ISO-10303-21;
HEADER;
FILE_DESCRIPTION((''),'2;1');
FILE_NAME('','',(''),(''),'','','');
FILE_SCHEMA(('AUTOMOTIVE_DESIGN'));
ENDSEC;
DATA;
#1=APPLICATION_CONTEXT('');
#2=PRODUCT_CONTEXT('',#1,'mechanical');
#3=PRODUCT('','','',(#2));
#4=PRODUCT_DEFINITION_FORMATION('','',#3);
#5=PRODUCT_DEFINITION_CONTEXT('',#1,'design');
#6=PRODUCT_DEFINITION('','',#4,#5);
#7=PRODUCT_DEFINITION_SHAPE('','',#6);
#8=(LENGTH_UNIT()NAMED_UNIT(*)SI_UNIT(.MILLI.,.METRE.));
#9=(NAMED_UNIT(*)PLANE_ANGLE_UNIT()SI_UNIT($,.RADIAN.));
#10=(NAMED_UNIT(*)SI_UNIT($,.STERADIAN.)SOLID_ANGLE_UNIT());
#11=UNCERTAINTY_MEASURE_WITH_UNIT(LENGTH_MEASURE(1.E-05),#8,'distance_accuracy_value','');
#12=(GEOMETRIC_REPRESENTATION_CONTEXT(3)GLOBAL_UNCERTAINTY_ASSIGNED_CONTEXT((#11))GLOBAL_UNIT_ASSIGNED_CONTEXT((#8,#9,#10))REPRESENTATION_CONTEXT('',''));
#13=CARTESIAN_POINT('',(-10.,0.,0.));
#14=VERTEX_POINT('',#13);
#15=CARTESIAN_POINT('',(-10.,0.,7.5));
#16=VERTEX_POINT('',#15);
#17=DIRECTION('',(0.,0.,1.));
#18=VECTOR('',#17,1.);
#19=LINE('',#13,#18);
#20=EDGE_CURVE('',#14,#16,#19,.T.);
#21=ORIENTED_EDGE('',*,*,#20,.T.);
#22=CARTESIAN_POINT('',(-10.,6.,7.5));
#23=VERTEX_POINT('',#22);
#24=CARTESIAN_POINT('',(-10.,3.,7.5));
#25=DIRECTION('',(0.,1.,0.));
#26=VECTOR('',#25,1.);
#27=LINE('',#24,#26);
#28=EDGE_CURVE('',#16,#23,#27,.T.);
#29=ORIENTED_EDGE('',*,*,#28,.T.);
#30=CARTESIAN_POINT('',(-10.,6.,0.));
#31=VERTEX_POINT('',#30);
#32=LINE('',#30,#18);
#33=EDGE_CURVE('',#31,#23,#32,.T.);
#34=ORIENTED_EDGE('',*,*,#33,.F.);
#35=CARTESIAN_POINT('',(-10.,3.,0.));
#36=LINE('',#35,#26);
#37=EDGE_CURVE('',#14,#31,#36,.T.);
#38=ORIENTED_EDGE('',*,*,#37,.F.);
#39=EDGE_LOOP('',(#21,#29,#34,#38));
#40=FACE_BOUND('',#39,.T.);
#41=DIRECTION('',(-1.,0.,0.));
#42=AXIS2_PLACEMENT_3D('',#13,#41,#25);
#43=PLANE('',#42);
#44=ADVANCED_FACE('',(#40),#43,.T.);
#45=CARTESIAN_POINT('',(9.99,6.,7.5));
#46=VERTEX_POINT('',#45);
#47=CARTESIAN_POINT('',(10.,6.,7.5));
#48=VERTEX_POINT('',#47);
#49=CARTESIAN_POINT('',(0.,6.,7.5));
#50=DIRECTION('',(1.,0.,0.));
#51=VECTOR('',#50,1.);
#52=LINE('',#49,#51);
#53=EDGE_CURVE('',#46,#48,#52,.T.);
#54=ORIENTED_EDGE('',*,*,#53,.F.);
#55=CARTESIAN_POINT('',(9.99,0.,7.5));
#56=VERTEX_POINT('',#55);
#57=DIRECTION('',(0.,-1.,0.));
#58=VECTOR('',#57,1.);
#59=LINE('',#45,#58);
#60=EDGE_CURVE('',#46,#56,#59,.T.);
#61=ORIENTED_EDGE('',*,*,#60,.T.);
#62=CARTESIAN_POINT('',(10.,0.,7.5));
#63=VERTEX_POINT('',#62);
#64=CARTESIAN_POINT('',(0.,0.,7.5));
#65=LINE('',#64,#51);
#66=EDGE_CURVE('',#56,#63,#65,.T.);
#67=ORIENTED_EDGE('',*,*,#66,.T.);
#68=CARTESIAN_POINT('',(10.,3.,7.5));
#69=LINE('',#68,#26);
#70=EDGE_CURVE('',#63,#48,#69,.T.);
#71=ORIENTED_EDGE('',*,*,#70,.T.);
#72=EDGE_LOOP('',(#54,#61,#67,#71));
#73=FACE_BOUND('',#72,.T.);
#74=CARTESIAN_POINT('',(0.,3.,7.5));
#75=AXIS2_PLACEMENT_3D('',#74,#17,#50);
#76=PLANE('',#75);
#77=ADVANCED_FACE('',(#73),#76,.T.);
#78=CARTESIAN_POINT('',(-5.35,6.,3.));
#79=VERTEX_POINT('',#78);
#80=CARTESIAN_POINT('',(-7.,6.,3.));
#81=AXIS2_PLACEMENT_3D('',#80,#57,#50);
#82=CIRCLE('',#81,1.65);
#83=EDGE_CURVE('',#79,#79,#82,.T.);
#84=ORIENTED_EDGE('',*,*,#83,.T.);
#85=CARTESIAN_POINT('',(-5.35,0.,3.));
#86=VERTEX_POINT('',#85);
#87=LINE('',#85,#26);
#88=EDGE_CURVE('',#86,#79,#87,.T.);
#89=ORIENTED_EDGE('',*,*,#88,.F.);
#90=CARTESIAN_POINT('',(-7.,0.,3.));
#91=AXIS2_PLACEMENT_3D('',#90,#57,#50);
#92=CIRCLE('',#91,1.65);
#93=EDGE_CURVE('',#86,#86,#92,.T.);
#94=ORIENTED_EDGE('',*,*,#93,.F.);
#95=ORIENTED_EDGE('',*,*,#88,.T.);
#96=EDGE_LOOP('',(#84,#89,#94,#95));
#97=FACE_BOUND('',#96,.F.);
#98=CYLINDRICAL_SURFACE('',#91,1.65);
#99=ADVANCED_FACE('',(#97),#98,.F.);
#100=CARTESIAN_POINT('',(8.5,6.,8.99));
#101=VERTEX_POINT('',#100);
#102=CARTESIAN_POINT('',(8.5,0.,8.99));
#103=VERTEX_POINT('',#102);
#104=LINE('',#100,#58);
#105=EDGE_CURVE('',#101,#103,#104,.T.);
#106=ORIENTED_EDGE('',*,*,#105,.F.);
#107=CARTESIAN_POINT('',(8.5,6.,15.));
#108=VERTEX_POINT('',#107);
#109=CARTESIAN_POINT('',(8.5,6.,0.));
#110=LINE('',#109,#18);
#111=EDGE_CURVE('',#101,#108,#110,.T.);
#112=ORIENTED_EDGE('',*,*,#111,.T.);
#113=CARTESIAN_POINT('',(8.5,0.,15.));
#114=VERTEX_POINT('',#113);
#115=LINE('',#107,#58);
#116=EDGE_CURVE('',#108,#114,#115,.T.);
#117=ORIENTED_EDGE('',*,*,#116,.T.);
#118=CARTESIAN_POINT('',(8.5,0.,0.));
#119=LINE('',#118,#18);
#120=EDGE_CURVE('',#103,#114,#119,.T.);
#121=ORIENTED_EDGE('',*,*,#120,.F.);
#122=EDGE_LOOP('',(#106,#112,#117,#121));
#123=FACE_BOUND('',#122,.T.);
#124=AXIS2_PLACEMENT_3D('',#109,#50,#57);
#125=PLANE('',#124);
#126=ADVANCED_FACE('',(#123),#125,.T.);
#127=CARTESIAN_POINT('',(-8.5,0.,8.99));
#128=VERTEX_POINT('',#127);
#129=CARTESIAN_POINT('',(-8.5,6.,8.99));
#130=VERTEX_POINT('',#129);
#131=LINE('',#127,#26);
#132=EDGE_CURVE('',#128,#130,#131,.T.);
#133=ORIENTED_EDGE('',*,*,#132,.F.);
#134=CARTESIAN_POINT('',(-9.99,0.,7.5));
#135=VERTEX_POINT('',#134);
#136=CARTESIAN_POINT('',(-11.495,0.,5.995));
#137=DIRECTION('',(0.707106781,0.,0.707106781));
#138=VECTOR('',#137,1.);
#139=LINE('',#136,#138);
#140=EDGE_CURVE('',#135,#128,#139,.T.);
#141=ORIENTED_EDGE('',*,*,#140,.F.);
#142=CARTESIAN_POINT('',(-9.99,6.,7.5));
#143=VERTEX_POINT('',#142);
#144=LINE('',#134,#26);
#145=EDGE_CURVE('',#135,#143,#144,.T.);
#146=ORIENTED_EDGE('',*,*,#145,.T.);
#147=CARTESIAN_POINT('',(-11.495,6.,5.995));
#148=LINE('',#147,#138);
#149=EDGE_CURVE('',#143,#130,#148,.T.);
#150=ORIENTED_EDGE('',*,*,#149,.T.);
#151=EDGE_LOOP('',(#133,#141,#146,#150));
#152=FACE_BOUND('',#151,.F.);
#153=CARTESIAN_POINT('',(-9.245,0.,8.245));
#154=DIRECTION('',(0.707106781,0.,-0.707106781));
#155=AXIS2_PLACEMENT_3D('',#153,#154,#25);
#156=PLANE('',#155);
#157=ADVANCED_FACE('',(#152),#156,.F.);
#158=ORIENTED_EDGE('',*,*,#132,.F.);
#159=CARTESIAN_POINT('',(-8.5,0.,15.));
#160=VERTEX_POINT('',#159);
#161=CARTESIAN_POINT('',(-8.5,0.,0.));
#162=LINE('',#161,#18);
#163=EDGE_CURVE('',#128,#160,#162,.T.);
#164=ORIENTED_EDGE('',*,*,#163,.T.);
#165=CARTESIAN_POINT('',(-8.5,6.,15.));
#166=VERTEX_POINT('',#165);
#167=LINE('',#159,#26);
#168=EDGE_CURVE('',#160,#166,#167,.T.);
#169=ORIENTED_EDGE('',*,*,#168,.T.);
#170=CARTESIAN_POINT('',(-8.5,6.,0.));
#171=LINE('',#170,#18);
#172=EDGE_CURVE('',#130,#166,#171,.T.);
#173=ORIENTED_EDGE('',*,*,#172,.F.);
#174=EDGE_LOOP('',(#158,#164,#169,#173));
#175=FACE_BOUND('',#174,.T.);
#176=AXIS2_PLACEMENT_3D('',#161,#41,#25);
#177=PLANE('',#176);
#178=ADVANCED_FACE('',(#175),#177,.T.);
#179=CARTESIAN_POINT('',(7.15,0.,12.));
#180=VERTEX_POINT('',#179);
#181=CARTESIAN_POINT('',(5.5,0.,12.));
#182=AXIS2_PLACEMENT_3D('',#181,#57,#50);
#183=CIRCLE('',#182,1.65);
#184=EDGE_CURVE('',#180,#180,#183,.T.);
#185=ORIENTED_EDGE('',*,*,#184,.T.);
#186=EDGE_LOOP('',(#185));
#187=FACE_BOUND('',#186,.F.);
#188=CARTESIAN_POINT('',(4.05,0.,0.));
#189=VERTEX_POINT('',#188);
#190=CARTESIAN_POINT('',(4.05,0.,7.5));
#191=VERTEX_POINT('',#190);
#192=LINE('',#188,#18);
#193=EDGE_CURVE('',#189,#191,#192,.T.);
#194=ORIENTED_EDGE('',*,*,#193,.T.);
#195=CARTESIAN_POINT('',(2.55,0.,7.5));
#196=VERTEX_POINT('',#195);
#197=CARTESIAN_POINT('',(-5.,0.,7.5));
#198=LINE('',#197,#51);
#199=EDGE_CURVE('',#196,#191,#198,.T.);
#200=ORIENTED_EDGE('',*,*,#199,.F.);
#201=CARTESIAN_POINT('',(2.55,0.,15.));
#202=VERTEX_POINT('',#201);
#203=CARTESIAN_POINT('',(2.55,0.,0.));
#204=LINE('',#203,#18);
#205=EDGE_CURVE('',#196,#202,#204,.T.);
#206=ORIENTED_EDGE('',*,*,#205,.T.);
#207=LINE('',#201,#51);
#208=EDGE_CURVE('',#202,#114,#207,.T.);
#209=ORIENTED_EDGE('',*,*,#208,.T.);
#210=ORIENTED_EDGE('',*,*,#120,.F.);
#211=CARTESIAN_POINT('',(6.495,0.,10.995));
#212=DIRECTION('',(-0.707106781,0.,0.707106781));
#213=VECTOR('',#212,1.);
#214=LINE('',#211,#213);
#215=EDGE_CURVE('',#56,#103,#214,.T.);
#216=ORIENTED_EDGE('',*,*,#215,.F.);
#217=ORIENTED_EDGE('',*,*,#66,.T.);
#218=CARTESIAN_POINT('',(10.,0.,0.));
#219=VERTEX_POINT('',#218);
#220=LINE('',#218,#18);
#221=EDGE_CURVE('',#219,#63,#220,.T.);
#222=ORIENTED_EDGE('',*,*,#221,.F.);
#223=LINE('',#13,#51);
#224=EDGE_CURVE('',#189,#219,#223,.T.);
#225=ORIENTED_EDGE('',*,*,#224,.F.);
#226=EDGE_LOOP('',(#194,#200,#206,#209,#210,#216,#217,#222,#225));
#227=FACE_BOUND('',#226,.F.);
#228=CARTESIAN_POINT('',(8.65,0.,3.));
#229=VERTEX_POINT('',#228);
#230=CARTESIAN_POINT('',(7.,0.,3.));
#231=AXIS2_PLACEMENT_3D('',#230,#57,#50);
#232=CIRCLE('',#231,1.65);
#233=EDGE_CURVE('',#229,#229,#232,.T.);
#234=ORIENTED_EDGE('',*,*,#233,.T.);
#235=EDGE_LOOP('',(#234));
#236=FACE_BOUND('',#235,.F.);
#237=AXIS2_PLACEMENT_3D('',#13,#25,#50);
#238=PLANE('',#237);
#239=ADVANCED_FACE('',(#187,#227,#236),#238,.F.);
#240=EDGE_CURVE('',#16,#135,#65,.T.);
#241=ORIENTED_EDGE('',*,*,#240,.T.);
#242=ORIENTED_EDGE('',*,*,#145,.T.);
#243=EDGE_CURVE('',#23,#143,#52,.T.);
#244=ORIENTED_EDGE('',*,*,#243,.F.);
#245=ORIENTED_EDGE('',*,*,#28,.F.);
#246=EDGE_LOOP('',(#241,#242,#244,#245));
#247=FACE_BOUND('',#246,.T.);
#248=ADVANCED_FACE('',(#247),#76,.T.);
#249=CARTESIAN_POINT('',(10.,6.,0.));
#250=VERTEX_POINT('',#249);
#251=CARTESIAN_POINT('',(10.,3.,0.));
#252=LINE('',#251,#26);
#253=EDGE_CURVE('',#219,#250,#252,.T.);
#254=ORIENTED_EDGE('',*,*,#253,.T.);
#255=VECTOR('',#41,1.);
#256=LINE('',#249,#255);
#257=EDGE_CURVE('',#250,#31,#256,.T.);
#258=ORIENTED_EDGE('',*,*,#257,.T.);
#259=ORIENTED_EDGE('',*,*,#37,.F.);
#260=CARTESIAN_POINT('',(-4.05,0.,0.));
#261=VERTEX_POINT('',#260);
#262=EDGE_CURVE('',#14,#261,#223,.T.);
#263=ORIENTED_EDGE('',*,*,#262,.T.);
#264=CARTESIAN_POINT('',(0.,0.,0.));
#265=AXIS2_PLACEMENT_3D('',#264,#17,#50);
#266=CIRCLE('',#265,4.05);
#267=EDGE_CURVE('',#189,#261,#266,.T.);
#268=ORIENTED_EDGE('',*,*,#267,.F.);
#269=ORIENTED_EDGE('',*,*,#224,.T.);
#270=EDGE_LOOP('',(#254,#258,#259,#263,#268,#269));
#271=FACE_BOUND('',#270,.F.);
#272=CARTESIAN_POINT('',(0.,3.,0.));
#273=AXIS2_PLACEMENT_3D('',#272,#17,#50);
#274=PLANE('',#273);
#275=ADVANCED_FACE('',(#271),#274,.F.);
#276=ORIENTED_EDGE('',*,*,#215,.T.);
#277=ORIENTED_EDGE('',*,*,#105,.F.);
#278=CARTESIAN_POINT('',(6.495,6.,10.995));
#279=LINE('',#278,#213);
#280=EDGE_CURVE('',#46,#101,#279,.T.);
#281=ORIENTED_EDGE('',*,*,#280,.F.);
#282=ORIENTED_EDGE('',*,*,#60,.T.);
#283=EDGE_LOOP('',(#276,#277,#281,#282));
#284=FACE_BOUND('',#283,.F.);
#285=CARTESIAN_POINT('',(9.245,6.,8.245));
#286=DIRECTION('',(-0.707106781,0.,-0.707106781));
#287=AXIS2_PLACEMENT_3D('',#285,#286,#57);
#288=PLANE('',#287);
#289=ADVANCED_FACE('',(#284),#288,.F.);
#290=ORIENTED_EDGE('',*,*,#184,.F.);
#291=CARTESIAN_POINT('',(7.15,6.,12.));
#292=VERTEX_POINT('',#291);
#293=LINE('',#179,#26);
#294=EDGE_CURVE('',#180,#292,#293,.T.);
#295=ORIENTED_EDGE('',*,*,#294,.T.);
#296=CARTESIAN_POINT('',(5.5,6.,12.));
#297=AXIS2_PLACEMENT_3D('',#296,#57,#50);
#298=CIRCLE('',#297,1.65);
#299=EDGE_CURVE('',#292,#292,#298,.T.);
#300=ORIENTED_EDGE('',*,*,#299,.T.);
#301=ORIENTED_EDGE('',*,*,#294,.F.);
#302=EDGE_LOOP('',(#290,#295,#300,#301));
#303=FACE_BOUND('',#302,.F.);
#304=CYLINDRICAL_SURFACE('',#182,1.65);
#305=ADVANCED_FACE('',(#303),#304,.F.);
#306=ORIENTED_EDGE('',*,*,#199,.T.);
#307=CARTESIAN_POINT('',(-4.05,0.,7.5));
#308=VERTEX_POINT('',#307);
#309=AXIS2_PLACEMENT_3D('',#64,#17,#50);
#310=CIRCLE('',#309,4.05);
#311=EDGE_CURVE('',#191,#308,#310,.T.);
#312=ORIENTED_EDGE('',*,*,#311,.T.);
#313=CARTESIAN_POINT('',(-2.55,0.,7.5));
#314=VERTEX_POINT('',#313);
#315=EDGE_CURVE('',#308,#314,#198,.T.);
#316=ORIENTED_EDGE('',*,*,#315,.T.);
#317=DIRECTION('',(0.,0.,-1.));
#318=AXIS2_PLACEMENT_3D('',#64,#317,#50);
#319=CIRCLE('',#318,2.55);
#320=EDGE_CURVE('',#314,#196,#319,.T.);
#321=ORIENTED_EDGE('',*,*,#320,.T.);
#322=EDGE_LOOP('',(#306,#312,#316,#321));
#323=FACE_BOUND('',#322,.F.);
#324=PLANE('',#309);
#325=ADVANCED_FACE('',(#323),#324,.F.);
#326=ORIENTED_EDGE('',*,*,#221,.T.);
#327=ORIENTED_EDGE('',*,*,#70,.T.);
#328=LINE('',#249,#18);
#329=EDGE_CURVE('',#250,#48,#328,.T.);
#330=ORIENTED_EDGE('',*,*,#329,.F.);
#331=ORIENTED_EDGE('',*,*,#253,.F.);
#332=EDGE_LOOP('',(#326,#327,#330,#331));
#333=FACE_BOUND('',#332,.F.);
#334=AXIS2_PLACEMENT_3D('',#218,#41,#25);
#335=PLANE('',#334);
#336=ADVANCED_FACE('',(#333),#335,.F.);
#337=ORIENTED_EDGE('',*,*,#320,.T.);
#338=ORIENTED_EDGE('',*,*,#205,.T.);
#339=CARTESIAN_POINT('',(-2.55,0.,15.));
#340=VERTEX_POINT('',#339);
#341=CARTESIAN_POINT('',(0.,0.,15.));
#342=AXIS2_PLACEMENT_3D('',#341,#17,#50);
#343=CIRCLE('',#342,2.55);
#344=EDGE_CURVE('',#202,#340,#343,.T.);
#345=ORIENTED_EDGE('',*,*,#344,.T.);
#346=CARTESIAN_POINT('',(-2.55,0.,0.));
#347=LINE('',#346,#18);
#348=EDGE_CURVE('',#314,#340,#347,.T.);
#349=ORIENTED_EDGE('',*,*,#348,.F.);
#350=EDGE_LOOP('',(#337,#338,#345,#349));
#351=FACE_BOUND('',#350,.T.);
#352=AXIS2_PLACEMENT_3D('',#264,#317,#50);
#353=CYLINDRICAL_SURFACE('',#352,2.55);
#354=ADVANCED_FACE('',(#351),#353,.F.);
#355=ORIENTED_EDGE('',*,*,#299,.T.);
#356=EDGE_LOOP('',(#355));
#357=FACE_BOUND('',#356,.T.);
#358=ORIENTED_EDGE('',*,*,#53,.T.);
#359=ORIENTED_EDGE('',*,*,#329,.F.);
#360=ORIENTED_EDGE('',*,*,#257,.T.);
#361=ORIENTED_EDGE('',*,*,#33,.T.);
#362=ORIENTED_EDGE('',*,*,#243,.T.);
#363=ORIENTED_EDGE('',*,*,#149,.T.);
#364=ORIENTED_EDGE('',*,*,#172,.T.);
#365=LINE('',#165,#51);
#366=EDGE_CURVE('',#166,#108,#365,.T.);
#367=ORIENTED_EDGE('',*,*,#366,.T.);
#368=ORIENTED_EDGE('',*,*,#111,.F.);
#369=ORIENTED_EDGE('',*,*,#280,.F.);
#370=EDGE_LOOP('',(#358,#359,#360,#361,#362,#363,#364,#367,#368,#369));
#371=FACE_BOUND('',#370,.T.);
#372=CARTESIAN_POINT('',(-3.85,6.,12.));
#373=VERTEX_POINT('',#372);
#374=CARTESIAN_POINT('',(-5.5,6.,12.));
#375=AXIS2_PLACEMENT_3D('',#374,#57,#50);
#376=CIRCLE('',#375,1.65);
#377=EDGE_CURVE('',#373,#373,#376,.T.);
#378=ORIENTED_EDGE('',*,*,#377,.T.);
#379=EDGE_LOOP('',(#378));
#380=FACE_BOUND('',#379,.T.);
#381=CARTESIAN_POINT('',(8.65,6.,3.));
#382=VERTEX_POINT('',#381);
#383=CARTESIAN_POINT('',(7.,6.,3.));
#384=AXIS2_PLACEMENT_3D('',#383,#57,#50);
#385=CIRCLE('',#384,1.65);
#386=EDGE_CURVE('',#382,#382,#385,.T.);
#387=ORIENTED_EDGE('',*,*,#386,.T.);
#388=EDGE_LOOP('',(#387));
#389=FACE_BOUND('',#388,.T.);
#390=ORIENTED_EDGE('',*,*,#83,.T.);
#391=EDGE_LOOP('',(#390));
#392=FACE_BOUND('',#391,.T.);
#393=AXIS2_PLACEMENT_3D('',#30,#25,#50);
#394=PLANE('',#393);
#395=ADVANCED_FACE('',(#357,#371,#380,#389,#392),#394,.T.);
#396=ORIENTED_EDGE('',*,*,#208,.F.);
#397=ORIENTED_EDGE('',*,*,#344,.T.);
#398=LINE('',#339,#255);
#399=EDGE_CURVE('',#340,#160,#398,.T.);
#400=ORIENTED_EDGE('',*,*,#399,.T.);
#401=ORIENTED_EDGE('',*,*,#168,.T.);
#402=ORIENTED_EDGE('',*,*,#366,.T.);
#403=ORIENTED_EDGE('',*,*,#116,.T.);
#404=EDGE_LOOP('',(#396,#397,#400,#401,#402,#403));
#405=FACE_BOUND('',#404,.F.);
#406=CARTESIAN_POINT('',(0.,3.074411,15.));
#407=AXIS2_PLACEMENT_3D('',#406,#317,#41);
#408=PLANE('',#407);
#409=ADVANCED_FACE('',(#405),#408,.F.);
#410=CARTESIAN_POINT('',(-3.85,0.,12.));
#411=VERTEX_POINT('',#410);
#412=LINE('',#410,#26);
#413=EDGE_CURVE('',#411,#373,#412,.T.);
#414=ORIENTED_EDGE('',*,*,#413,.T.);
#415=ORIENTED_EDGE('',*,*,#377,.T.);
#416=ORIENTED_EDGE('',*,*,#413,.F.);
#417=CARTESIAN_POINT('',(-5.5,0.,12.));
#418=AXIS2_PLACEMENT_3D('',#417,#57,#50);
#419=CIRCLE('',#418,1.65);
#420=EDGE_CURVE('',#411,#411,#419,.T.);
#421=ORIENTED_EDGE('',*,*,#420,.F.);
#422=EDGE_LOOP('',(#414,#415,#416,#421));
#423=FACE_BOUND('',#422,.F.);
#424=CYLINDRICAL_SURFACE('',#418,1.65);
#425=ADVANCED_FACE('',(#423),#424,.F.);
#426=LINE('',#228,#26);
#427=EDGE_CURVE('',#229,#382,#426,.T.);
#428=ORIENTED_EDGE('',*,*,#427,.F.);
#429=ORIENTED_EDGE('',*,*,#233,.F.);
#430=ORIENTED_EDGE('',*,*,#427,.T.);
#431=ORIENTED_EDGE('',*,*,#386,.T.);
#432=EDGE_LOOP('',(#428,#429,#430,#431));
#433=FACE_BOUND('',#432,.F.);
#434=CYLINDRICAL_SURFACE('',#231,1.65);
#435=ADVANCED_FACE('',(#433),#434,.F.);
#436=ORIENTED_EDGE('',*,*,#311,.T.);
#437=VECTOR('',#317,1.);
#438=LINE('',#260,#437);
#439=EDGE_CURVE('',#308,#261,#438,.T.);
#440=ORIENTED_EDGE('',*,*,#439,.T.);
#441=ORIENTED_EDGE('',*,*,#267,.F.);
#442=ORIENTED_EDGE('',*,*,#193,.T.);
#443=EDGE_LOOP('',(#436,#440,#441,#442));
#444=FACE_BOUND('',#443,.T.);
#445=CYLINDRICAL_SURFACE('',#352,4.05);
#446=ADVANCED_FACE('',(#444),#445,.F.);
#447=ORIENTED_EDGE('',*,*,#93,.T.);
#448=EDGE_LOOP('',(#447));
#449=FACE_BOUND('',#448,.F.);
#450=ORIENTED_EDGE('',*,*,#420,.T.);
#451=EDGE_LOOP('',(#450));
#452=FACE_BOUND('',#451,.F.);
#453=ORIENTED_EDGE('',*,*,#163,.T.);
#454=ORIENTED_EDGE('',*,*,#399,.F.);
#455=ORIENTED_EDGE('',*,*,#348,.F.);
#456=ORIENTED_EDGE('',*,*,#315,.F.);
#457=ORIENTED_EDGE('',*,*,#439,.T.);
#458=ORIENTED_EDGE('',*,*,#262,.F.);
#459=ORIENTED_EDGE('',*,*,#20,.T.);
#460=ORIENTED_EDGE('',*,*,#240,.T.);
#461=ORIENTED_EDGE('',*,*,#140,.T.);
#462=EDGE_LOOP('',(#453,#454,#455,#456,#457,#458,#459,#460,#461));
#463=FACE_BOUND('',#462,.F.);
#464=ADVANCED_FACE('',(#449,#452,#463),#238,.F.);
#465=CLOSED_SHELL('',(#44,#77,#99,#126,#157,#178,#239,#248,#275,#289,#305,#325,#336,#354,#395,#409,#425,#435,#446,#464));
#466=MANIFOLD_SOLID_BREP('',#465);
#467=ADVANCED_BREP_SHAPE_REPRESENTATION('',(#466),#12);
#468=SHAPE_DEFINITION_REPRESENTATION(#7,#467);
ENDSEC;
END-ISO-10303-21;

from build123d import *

# Parameters (mm, degrees)
PAD_DEPTH       = 15
SKETCH003_W     = 20
SKETCH003_H     = 6
PAD001_DEPTH    = 7.5
SKETCH001_R     = 1.65
POCKET_DEPTH    = 6.001
SKETCH002_R     = 4.05
POCKET001_DEPTH = 7.5
CHAMFER_SIZE    = 1.49


with BuildPart() as part:
    # Sketch → Pad (new body)
    with BuildSketch(Plane.XY):
        with BuildLine():
            ThreePointArc((2.55, 0), (0, 2.55), (-2.55, 0))
            Line((-2.55, 0), (-8.5, 0))
            Line((-8.5, 0), (-8.5, 6))
            Line((-8.5, 6), (8.5, 6))
            Line((8.5, 6), (8.5, 0))
            Line((2.55, 0), (8.5, 0))
        make_face()
    extrude(amount=PAD_DEPTH)

    # Sketch003 → Pad001 (join)
    with BuildSketch(Plane.XY):
        with Locations((0, 3)):
            Rectangle(SKETCH003_W, SKETCH003_H)
    extrude(amount=PAD001_DEPTH)

    # Sketch001 → Pocket (cut, through all)
    with BuildSketch(Plane.XZ):
        with Locations((-7, 3)):
            Circle(SKETCH001_R)
        with Locations((-5.5, 12)):
            Circle(SKETCH001_R)
        with Locations((5.5, 12)):
            Circle(SKETCH001_R)
        with Locations((7, 3)):
            Circle(SKETCH001_R)
    extrude(amount=-POCKET_DEPTH, mode=Mode.SUBTRACT)

    # Sketch002 → Pocket001 (cut)
    with BuildSketch(Plane.XY):
        Circle(SKETCH002_R)
    extrude(amount=POCKET001_DEPTH, mode=Mode.SUBTRACT)

    # Chamfer
    chamfer_edges = [part.edges().sort_by_distance(p)[0] for p in [
        (8.5, 3, 7.5),
        (-8.5, 3, 7.5),
    ]]
    chamfer(chamfer_edges, length=CHAMFER_SIZE)


solid = part.part
